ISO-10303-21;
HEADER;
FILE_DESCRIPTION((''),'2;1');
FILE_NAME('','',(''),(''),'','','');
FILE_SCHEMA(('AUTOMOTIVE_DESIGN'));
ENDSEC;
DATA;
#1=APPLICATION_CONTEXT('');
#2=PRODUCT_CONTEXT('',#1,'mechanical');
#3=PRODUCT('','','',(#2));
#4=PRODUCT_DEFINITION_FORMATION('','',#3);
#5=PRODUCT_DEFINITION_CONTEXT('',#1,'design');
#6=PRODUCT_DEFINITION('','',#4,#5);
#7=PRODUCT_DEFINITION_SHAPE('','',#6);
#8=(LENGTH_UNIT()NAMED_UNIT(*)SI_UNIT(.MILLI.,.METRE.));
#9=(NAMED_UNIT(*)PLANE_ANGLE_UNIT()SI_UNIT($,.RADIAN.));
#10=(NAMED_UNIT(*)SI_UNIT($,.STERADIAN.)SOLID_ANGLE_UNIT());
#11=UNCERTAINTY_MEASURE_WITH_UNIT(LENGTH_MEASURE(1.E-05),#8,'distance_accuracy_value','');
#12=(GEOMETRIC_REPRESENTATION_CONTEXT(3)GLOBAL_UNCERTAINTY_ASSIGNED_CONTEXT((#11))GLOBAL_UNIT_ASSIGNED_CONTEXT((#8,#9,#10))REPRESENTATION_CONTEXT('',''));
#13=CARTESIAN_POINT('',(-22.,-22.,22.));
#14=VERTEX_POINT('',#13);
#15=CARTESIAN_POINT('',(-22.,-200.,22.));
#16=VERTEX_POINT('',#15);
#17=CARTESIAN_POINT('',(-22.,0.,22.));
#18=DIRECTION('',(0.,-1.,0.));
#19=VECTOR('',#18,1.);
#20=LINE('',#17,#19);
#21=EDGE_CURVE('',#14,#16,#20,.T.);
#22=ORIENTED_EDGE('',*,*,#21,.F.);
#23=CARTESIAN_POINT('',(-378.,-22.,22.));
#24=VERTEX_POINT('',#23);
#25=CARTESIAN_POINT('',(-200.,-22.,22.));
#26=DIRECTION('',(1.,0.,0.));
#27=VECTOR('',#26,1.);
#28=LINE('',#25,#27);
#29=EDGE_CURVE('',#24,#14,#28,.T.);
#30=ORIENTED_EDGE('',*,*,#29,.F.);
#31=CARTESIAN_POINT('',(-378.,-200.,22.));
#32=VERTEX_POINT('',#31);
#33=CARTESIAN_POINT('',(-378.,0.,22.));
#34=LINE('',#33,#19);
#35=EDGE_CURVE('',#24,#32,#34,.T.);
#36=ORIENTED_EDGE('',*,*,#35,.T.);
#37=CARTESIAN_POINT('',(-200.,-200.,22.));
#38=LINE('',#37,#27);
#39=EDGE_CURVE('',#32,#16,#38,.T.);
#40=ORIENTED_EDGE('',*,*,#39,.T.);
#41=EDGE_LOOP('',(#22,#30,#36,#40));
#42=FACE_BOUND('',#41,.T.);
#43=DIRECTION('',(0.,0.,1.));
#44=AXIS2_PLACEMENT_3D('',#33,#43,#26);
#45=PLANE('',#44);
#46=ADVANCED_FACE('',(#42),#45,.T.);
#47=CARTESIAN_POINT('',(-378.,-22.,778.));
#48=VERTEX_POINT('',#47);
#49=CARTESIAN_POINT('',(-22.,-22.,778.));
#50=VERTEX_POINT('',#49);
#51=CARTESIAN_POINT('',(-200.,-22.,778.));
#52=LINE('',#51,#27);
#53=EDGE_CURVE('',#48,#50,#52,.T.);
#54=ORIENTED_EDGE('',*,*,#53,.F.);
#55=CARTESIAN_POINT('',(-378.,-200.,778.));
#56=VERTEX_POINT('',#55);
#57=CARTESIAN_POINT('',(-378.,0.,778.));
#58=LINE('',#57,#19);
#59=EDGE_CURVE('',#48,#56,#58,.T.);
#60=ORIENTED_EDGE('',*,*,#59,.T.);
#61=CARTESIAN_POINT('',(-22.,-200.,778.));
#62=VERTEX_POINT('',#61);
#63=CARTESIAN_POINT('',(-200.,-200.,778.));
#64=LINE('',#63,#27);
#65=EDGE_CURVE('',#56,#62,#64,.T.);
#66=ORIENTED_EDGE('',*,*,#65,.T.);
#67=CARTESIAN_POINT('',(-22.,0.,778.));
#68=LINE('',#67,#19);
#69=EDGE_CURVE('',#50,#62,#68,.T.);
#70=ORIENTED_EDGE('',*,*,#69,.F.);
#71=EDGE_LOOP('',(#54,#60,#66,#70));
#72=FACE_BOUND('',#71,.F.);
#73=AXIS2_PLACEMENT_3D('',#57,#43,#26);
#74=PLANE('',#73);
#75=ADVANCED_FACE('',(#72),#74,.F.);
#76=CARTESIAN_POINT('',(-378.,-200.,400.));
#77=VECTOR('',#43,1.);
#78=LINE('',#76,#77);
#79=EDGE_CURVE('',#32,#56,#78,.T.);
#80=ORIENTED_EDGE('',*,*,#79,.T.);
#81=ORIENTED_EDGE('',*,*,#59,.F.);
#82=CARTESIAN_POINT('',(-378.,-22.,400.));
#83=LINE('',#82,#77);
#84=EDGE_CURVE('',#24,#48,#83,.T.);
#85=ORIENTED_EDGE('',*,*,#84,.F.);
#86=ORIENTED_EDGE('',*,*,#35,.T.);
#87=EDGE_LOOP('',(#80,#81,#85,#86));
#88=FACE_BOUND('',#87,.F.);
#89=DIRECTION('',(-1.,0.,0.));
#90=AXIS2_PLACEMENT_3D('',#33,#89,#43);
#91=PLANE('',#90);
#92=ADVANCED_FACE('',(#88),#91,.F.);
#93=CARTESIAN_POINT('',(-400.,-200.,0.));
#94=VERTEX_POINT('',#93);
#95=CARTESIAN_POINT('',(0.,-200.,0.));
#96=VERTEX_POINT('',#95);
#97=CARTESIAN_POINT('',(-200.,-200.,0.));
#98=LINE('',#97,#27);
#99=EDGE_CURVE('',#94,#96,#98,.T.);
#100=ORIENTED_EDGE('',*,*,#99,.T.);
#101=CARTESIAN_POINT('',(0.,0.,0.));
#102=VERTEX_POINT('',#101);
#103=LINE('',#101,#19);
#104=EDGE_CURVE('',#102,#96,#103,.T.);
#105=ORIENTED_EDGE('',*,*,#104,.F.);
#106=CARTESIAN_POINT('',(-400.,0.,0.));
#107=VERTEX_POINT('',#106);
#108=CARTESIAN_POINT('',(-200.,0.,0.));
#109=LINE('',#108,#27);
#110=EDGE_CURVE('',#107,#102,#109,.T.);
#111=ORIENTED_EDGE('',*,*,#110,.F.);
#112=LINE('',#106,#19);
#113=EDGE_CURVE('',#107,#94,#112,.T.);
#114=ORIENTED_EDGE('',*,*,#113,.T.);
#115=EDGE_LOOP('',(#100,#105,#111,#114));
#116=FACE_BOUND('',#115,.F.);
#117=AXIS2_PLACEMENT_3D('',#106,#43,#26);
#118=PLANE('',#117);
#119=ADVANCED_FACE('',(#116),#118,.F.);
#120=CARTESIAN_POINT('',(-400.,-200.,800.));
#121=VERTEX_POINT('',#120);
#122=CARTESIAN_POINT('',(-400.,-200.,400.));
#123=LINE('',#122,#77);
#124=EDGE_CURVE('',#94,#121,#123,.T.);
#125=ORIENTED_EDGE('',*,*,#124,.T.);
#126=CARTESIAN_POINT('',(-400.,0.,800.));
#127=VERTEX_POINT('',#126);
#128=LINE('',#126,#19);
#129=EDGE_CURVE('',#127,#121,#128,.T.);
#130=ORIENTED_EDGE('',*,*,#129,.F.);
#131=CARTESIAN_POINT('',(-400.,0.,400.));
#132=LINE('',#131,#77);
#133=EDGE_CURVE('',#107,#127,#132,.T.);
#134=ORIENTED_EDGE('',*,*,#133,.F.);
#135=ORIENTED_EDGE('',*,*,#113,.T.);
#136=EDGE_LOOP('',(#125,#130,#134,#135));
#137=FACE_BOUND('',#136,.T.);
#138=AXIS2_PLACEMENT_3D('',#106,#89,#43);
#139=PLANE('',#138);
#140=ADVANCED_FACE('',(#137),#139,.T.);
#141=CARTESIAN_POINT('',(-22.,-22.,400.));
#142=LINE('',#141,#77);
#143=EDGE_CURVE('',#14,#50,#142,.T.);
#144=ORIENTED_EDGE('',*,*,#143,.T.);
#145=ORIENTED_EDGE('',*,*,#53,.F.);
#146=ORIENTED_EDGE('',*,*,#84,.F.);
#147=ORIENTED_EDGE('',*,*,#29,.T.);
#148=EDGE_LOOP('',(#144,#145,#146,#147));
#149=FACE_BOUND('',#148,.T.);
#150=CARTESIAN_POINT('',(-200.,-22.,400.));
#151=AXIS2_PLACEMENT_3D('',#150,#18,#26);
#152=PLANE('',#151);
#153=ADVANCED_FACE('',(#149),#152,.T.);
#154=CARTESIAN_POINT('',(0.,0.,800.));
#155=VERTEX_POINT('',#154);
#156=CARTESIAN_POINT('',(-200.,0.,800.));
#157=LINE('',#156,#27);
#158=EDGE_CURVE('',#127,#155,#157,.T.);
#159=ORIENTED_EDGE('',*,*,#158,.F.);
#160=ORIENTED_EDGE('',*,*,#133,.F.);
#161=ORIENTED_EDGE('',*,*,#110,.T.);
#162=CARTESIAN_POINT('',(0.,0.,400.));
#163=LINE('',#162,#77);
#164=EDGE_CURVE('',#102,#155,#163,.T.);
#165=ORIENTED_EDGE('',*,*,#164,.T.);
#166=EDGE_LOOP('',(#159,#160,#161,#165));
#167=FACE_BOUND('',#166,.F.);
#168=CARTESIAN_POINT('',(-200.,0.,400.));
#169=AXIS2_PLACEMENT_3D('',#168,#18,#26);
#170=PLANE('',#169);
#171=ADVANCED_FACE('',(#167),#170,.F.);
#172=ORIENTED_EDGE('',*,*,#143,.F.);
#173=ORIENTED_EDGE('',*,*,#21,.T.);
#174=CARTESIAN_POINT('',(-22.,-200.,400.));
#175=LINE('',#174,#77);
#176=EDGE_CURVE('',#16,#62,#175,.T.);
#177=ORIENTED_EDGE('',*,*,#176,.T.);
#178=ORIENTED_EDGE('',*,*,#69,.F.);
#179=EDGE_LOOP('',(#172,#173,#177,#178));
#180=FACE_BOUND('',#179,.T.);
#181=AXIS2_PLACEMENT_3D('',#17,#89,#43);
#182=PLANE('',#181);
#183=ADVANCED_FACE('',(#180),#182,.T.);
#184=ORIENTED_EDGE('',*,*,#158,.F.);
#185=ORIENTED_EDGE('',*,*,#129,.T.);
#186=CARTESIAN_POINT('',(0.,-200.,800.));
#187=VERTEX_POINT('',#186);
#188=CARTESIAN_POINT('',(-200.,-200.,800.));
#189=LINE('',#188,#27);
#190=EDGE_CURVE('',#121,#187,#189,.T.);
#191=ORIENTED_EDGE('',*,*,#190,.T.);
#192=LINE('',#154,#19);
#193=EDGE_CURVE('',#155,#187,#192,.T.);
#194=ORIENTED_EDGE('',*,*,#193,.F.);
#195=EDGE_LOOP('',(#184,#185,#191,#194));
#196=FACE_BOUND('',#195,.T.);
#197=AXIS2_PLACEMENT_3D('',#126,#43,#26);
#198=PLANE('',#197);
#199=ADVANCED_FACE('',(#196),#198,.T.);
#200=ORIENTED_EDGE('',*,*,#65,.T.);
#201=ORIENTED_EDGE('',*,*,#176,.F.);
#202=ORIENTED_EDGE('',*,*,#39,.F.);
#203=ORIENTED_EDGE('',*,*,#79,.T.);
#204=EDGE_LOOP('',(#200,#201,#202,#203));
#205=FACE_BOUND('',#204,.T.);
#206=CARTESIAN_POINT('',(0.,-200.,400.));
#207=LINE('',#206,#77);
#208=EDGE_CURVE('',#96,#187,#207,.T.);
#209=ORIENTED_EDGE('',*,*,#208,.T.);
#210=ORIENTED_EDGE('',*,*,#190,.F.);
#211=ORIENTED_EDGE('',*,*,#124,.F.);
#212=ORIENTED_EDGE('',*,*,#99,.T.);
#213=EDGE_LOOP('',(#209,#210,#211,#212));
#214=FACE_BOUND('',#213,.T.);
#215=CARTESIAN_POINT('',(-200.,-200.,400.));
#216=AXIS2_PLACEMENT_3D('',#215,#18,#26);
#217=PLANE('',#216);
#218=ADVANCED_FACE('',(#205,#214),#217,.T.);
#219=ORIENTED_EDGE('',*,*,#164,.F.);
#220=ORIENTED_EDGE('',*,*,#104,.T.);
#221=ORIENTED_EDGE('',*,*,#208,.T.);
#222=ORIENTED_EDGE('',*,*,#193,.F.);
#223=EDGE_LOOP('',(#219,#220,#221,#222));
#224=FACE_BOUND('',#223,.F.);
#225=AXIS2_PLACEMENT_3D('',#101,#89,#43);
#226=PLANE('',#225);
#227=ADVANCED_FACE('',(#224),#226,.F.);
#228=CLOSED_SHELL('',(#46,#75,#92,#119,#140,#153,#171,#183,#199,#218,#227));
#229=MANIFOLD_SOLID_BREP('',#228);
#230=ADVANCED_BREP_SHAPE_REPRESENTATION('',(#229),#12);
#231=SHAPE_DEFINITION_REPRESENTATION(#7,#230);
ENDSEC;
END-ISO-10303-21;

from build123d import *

# Parameters (mm, degrees)
F0_W     = 356
F0_H     = 756
F1_DEPTH = 22
F0_W_2   = 400
F0_H_2   = 800
F2_DEPTH = 200


with BuildPart() as f1:
    # F0 (on Front) → F1 (new body)
    with BuildSketch(Plane.XZ):
        with Locations((-200, 400)):
            Rectangle(F0_W, F0_H)
    extrude(amount=F1_DEPTH)

    # F0 (on Front) → F2 (join)
    with BuildSketch(Plane.XZ):
        with Locations((-200, 400)):
            Rectangle(F0_W_2, F0_H_2)
        with Locations((-200, 400)):
            Rectangle(F0_W, F0_H, mode=Mode.SUBTRACT)
    extrude(amount=F2_DEPTH)


solid = f1.part
